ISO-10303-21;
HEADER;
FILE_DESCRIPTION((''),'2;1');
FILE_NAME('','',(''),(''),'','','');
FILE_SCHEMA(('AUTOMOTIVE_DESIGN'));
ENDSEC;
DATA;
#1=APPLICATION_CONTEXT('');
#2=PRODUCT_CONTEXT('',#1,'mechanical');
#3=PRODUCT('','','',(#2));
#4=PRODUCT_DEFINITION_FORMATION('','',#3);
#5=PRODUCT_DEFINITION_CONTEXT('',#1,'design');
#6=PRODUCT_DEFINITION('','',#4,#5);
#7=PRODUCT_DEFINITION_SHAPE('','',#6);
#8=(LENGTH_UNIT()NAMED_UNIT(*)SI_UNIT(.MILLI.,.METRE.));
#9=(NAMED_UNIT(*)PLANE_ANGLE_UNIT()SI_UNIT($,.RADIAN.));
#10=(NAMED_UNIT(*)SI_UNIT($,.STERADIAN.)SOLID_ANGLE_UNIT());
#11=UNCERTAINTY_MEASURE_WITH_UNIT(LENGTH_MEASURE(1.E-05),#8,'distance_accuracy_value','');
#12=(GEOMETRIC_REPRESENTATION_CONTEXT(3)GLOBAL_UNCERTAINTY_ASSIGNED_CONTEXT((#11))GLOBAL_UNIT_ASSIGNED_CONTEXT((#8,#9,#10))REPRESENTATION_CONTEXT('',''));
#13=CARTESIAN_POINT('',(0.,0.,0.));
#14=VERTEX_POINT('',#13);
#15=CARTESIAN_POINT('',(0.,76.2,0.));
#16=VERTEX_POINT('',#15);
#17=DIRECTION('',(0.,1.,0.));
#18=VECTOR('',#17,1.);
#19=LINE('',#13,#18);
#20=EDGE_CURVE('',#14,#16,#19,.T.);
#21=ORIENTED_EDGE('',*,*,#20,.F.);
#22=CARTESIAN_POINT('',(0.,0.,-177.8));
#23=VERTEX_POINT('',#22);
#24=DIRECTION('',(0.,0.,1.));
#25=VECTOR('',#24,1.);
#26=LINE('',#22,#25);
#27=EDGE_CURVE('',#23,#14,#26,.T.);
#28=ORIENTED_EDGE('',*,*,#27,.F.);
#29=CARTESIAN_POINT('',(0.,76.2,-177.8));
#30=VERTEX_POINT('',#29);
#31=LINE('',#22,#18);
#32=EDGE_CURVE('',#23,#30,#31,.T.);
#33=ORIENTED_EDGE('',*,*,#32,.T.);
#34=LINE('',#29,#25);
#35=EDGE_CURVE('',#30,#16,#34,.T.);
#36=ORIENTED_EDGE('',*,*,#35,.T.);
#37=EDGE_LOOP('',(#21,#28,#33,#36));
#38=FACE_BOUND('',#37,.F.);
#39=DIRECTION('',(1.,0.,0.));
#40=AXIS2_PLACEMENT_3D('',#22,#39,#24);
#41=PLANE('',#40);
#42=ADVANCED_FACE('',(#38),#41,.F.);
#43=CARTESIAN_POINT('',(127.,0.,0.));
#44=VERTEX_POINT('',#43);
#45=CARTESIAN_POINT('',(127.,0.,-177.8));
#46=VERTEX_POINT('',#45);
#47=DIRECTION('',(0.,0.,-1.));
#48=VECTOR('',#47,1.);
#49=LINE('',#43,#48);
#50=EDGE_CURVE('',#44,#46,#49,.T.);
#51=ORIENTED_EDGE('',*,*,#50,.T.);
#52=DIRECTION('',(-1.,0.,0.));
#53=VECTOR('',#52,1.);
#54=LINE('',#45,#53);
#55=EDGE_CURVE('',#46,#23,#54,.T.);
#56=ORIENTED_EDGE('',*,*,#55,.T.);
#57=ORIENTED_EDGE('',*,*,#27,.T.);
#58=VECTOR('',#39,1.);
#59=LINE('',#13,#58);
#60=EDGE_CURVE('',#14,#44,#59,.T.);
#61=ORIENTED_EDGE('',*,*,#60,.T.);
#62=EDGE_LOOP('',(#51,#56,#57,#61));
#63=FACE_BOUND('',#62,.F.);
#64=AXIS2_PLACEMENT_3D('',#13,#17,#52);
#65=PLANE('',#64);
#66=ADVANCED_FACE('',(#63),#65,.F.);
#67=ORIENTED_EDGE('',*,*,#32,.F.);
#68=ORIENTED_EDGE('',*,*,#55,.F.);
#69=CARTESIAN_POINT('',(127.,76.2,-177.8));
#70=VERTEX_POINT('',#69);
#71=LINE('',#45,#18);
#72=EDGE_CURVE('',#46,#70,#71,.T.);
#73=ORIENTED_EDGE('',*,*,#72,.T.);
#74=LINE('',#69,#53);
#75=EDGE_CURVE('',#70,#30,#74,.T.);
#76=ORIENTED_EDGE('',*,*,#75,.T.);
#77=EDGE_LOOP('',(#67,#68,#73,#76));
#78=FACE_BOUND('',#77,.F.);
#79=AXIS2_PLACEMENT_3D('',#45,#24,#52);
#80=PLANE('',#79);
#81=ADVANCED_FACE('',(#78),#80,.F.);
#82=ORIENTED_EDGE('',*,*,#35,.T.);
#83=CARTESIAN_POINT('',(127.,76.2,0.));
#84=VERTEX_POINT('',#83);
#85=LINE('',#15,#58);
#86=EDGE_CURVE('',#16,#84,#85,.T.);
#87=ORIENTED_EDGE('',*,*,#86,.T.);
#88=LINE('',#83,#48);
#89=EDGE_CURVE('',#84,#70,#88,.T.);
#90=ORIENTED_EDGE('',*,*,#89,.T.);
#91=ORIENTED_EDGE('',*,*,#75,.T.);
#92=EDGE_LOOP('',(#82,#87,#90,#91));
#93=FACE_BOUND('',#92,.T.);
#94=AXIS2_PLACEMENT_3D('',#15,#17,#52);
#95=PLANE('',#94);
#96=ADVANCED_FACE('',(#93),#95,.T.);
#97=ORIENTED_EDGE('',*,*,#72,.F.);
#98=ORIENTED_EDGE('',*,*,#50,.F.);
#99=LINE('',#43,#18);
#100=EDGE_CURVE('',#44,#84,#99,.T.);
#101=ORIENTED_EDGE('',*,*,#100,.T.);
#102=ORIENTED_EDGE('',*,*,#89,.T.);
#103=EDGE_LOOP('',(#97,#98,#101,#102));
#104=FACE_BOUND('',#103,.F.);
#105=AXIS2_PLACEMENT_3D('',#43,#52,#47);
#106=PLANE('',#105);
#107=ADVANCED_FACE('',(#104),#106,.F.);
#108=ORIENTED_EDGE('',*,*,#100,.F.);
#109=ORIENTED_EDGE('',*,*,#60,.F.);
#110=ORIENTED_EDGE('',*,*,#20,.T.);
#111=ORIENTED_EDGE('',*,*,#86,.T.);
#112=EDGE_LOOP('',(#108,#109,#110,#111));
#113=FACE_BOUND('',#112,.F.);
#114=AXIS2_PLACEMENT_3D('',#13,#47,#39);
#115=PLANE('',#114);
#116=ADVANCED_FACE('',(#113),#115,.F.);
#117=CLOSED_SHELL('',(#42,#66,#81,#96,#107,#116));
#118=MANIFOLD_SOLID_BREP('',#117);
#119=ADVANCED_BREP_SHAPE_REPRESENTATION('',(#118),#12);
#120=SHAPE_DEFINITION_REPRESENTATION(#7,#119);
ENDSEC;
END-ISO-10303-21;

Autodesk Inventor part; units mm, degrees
ref_plane "YZ Plane" through (0, 0, 0) normal (1, 0, 0) x (0, 1, 0)
ref_plane "XZ Plane" through (0, 0, 0) normal (0, 1, 0) x (-1, 0, 0)
ref_plane "XY Plane" through (0, 0, 0) normal (0, 0, 1) x (1, 0, 0)
sketch "Sketch1" plane through (0, 0, 0) normal (0, 1, 0) x (-1, 0, 0)
  line L0 (0, 0) -> (-127, 0)
  line L1 (-127, 0) -> (-127, -177.8)
  line L2 (-127, -177.8) -> (0, -177.8)
  line L3 (0, -177.8) -> (0, 0)
  dimension "d0" = 127
  dimension "d1" = 177.8
extrude "Extrusion1" add sketch "Sketch1" along normal blind 76.2
properties part number "buttonbox standin"
